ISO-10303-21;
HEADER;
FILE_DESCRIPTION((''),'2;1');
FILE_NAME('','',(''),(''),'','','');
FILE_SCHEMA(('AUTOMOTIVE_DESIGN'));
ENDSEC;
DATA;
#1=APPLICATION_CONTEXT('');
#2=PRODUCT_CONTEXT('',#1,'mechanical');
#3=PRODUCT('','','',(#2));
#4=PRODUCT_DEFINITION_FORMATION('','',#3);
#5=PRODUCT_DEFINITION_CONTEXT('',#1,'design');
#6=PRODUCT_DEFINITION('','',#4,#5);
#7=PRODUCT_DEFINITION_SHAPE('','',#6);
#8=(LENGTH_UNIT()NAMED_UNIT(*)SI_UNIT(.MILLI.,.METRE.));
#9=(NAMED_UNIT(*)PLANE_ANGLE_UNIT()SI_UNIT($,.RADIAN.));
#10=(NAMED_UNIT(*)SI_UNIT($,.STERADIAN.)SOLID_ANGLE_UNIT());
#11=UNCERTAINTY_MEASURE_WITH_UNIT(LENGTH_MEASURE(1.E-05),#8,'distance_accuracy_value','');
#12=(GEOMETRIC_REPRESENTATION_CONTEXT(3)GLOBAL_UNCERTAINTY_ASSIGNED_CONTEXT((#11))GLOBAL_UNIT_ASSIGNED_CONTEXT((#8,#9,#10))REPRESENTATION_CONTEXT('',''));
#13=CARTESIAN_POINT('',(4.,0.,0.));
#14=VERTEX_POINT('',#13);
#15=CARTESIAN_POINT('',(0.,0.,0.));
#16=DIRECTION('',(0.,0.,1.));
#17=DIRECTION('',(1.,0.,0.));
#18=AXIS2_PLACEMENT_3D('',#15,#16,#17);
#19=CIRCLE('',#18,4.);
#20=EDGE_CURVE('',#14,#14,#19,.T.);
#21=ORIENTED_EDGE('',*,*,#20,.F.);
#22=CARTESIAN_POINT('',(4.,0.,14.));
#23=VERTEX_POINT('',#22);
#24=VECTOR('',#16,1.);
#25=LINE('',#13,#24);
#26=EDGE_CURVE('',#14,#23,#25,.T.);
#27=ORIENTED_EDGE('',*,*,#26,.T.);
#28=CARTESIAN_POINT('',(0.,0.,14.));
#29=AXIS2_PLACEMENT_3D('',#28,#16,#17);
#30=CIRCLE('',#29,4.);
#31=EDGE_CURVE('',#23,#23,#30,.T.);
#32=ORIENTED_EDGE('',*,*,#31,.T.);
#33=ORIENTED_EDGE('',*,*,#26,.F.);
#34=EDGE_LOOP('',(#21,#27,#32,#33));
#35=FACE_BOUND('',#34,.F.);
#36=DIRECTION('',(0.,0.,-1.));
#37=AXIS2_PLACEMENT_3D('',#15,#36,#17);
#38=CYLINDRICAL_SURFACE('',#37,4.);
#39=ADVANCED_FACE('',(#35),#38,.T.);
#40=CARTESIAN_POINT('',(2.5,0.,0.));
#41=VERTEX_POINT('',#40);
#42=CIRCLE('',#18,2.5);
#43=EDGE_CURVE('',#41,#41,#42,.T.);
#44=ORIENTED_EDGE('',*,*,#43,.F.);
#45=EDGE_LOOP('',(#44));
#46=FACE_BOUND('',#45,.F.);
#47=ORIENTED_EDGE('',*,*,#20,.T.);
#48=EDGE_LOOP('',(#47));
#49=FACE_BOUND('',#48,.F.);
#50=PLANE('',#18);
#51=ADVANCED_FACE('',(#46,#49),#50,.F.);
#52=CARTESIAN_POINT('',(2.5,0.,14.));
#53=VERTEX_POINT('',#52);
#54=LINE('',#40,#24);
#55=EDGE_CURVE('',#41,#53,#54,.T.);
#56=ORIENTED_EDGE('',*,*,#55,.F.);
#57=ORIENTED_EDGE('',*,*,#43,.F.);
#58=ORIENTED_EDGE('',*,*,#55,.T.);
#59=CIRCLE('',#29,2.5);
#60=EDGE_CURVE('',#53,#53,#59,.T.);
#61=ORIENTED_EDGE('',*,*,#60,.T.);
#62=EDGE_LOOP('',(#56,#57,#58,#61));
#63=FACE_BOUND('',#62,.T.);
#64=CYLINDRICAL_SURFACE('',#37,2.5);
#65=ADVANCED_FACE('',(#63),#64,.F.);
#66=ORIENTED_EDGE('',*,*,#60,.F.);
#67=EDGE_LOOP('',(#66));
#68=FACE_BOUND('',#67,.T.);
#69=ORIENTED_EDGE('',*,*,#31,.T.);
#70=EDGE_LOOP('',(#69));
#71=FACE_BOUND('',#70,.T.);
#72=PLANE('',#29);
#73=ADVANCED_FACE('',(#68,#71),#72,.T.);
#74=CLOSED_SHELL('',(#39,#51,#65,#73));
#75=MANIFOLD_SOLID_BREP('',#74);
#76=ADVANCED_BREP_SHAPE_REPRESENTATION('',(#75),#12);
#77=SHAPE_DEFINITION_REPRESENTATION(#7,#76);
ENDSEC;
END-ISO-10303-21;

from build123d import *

# Parameters (mm, degrees)
SKETCH_R   = 4
SKETCH_R_2 = 2.5
PAD_DEPTH  = 14


with BuildPart() as part:
    # Sketch → Pad (new body)
    with BuildSketch(Plane.XY):
        Circle(SKETCH_R)
        Circle(SKETCH_R_2, mode=Mode.SUBTRACT)
    extrude(amount=PAD_DEPTH)


solid = part.part
